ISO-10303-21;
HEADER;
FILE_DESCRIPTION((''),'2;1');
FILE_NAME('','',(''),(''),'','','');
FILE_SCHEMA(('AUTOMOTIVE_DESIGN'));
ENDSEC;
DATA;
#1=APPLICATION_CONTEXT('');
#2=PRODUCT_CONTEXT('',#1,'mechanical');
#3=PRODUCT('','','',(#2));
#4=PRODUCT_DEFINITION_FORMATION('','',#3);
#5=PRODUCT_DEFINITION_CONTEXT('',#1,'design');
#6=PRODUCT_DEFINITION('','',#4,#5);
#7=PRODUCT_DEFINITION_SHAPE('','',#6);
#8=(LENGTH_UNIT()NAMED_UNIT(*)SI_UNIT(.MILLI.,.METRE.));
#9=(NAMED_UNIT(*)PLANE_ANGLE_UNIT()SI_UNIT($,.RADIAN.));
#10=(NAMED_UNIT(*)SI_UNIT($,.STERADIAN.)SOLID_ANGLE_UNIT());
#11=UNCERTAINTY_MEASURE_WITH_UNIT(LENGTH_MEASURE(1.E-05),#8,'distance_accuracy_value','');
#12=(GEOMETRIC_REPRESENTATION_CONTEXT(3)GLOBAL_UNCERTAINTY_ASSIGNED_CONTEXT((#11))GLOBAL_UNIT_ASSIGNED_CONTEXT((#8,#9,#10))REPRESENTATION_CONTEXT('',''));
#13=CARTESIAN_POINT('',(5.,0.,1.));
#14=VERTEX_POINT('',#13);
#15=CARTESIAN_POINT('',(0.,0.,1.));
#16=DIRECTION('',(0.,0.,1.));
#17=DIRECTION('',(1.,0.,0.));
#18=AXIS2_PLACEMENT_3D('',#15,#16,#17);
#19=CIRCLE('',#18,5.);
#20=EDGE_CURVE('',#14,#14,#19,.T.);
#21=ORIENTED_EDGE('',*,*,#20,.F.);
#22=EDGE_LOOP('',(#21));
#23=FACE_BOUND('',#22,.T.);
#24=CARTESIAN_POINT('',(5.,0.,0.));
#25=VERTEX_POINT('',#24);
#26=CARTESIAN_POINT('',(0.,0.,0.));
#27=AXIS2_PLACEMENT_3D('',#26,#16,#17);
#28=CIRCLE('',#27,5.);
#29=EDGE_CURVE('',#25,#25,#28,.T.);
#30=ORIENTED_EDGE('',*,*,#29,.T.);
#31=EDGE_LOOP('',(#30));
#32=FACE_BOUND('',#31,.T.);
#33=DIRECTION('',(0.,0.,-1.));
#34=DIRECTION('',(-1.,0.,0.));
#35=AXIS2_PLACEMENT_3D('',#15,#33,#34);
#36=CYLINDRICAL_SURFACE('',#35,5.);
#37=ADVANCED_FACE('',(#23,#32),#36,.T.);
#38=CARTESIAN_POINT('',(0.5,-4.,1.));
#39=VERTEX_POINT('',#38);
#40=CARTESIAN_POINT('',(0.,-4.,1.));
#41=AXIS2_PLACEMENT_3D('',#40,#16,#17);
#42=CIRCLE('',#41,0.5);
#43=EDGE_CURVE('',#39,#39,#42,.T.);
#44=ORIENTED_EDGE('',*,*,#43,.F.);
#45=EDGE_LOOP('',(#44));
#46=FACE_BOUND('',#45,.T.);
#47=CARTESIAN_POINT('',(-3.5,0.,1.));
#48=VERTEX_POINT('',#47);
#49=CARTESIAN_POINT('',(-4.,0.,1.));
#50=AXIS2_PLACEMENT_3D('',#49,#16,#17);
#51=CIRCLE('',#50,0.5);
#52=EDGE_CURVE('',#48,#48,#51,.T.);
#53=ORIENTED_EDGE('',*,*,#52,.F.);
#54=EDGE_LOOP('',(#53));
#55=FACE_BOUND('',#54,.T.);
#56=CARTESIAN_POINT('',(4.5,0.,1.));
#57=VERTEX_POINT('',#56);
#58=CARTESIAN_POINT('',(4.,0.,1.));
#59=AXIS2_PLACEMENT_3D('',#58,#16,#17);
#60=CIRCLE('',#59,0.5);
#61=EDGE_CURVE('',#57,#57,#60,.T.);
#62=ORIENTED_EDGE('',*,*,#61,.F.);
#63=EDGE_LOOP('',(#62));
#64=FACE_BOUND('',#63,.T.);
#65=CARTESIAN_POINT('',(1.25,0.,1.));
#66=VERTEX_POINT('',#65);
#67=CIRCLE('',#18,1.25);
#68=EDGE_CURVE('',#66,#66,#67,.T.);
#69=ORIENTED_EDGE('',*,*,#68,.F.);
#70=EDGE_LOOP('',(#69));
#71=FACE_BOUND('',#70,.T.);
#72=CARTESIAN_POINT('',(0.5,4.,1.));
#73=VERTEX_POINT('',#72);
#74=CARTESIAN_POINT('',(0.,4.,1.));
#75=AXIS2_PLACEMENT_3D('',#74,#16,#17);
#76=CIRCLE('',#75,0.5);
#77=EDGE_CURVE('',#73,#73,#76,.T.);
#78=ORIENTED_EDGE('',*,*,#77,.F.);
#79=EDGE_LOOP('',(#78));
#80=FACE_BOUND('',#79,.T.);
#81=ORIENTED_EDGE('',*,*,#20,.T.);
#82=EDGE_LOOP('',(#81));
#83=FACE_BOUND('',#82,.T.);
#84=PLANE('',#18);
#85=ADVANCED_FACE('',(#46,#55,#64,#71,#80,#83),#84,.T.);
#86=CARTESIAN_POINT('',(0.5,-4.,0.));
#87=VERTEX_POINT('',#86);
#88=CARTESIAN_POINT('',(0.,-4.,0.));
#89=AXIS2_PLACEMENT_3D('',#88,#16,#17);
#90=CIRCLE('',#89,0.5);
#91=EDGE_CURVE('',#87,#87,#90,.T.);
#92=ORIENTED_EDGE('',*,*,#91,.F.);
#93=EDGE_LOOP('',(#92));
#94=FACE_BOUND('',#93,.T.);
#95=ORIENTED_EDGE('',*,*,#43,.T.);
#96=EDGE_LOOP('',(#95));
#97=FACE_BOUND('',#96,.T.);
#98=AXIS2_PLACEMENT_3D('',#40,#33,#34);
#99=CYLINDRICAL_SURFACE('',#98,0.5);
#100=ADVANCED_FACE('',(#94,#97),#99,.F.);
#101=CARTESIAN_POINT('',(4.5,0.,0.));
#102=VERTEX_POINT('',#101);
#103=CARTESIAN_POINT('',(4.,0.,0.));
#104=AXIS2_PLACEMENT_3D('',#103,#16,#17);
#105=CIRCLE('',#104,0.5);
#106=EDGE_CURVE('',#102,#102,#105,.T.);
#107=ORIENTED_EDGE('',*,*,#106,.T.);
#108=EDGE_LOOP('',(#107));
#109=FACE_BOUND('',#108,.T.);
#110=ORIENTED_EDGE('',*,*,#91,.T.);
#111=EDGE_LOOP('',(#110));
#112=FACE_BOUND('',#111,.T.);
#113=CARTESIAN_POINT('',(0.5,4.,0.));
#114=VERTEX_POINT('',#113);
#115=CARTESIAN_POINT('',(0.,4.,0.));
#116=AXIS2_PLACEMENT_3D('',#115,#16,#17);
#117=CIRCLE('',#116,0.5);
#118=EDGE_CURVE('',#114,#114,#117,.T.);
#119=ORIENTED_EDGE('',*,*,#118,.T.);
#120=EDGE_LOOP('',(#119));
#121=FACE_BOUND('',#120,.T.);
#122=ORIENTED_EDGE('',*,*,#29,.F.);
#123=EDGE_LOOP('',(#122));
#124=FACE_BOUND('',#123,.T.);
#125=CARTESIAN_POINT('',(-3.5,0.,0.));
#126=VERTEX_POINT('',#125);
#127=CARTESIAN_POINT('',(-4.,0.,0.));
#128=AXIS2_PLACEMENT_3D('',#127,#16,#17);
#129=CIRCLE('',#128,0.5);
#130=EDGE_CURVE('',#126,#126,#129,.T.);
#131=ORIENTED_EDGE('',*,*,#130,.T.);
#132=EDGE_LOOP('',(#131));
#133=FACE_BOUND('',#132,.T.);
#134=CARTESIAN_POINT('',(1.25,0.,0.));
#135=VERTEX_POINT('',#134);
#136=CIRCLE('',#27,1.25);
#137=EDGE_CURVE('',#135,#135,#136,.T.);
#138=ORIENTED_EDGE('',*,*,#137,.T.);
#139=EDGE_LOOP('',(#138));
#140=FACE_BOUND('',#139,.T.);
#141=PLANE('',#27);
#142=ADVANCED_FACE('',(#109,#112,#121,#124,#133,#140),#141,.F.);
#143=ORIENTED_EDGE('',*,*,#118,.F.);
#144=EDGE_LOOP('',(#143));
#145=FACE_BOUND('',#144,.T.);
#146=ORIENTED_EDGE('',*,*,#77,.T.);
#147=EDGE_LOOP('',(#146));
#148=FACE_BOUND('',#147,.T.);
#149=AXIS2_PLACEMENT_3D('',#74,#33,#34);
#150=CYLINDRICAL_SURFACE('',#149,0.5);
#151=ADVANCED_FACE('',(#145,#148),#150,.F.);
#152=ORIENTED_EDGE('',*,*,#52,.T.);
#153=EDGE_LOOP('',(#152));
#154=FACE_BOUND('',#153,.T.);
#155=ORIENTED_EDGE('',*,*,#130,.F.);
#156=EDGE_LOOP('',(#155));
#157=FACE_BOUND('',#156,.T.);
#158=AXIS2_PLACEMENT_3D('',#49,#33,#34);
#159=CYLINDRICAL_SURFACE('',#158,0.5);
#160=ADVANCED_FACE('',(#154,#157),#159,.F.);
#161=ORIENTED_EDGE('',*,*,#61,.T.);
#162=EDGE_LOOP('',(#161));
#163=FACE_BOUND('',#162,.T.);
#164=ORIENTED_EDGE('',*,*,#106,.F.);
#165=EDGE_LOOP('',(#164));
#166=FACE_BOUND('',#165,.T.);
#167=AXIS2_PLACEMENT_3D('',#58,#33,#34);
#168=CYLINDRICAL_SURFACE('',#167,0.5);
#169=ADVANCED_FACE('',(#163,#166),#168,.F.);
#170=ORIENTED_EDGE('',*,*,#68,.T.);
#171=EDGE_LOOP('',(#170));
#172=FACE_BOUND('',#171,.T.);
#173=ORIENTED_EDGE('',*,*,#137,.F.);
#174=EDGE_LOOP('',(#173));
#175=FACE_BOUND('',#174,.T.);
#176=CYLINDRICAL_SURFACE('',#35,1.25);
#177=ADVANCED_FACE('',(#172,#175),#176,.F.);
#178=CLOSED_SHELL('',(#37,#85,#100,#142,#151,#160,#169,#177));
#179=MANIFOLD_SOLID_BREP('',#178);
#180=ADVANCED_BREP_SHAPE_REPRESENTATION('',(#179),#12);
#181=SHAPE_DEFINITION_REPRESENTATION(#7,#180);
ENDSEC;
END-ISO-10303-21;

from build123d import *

# Parameters (mm, degrees)
SKETCH_1_R      = 5
SKETCH_1_R_2    = 0.5
SKETCH_1_R_3    = 1.25
EXTRUDE_1_DEPTH = 1


with BuildPart() as part:
    # 草图1 → 凸台-拉伸1 (new body)
    with BuildSketch(Plane.XY):
        Circle(SKETCH_1_R)
        with Locations((-4, 0)):
            Circle(SKETCH_1_R_2, mode=Mode.SUBTRACT)
        Circle(SKETCH_1_R_3, mode=Mode.SUBTRACT)
        with Locations((0, 4)):
            Circle(SKETCH_1_R_2, mode=Mode.SUBTRACT)
        with Locations((4, 0)):
            Circle(SKETCH_1_R_2, mode=Mode.SUBTRACT)
        with Locations((0, -4)):
            Circle(SKETCH_1_R_2, mode=Mode.SUBTRACT)
    extrude(amount=EXTRUDE_1_DEPTH)


solid = part.part
